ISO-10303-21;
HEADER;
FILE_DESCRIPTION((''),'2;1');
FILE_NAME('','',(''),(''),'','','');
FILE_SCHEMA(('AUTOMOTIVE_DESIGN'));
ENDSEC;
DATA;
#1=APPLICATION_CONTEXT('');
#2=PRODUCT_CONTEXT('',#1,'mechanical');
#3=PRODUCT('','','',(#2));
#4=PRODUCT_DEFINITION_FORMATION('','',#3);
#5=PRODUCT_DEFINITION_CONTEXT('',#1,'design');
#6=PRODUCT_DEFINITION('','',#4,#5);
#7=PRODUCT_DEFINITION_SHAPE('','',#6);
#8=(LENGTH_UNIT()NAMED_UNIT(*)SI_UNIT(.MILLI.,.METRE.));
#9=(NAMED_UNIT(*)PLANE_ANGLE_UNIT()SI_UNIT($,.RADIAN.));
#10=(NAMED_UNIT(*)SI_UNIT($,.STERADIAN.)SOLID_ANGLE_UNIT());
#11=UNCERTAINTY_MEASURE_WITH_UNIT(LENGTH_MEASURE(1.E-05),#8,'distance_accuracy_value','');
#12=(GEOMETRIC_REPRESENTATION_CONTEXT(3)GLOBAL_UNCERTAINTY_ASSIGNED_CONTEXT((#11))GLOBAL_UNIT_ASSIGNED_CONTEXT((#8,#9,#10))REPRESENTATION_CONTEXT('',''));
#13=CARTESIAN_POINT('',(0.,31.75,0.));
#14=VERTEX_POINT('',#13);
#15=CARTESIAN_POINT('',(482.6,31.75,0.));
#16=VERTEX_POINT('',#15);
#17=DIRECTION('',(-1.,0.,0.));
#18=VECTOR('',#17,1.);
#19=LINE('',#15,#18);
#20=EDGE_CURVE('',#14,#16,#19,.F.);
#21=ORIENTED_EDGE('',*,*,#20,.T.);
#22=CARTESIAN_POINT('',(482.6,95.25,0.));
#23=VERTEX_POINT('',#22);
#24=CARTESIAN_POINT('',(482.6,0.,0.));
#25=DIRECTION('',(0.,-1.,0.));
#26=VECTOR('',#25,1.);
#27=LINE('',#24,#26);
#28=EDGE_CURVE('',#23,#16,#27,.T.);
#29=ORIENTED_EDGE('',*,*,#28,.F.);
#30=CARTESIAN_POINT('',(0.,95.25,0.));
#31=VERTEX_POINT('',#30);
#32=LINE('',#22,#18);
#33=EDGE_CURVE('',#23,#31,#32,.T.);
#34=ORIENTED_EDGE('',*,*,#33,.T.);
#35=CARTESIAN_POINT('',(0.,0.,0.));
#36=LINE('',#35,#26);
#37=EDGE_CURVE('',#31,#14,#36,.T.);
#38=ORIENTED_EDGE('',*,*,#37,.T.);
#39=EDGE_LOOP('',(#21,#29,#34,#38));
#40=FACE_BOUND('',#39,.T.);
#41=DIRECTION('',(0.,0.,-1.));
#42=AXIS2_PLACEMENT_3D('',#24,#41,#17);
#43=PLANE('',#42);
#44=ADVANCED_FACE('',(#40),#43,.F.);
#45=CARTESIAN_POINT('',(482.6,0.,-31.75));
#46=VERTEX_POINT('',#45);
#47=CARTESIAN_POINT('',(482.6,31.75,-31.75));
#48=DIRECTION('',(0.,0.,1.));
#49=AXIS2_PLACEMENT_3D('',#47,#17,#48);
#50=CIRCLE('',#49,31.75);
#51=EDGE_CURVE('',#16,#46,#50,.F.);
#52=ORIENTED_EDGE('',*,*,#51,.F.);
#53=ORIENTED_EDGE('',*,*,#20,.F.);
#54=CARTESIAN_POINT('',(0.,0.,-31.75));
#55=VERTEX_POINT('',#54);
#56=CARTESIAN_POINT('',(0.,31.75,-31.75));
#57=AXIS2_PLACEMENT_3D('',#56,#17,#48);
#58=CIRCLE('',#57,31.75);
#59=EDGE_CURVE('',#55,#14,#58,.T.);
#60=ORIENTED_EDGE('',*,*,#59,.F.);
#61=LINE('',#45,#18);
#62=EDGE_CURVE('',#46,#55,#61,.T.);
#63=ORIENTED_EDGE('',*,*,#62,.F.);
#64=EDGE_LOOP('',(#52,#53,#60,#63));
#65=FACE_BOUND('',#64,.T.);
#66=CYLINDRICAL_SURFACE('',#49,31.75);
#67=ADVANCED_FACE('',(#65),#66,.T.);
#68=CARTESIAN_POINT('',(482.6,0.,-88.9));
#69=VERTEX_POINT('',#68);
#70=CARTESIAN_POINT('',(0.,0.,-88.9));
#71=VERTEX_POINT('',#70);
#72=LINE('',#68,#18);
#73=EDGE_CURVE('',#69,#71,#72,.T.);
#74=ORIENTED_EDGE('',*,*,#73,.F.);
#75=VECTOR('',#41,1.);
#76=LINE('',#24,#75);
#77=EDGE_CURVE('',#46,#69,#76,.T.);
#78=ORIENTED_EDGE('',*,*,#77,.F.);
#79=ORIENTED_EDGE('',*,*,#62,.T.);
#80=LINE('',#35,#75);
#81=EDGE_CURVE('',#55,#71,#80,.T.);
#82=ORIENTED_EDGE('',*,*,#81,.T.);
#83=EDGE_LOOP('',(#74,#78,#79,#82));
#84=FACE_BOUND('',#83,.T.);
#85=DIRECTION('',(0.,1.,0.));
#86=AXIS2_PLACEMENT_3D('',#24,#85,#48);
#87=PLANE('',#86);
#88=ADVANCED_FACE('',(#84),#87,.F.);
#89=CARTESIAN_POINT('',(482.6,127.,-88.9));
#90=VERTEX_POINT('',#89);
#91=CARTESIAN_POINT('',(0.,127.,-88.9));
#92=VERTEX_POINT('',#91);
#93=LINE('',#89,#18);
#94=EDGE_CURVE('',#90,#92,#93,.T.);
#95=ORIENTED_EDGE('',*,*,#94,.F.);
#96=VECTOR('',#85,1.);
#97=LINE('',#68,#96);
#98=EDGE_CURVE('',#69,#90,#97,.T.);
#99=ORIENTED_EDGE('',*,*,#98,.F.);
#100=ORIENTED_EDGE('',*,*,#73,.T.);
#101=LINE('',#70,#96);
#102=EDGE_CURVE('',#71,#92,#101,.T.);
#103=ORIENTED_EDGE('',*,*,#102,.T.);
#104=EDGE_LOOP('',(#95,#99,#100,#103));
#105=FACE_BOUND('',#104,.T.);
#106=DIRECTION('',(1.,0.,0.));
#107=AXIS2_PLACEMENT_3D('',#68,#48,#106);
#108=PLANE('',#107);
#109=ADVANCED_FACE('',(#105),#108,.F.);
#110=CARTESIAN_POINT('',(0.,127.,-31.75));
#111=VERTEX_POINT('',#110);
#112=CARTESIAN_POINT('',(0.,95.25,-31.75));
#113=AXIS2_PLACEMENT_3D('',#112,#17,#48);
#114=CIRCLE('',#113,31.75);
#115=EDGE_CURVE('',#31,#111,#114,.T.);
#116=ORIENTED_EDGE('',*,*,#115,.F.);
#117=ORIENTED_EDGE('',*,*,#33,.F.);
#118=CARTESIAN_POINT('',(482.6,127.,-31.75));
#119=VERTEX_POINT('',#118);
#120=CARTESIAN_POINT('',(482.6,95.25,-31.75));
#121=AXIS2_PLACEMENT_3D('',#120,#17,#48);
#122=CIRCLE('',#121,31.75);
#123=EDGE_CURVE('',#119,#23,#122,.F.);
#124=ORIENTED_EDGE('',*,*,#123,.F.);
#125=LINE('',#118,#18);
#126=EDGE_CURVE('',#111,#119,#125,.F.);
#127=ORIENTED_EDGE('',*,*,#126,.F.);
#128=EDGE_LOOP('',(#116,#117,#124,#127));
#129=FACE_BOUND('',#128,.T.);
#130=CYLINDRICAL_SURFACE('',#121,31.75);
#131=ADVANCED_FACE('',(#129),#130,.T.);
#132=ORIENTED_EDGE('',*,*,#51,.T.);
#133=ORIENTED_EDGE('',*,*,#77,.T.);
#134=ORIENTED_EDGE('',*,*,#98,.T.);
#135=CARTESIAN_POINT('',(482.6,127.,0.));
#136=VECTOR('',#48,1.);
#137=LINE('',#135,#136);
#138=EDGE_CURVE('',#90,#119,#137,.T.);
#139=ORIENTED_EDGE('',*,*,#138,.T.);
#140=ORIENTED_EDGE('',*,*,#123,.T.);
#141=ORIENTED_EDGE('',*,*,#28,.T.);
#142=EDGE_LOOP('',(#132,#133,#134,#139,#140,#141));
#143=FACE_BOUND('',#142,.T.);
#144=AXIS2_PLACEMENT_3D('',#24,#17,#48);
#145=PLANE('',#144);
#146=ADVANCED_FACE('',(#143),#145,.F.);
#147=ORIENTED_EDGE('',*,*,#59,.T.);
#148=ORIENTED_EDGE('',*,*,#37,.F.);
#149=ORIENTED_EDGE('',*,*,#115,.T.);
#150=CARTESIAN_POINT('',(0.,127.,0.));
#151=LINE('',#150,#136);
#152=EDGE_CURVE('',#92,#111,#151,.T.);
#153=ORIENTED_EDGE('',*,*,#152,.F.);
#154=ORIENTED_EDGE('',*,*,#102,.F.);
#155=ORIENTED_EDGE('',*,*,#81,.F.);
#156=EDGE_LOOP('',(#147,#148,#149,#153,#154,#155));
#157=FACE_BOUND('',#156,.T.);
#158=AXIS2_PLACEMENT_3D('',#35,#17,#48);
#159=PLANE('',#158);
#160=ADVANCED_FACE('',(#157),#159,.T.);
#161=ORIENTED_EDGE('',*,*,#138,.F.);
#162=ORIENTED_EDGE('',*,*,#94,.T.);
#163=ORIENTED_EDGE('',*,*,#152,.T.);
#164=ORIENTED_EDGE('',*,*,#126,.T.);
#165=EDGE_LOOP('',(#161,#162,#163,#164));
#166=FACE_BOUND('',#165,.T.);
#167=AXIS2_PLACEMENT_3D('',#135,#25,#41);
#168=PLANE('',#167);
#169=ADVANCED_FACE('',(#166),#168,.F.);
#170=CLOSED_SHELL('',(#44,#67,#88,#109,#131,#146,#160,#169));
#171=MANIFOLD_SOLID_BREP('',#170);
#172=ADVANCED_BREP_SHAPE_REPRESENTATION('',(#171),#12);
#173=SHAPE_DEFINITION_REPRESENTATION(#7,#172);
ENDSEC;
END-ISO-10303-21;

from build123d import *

# Parameters (mm, degrees)
SKETCH1_W           = 88.9
SKETCH1_H           = 127
BOSS_EXTRUDE1_DEPTH = 482.6
FILLET2_R           = 31.75


with BuildPart() as part:
    # Sketch1 → Boss-Extrude1 (new body)
    with BuildSketch(Plane(origin=(0, 0, 0), x_dir=(0, 0, -1), z_dir=(1, 0, 0))):
        with Locations((44.45, 63.5)):
            Rectangle(SKETCH1_W, SKETCH1_H)
    extrude(amount=BOSS_EXTRUDE1_DEPTH)

    # Fillet2
    fillet2_edges = [part.edges().sort_by_distance(p)[0] for p in [
        (241.3, 127, 0),
        (241.3, 0, 0),
    ]]
    fillet(fillet2_edges, radius=FILLET2_R)


solid = part.part
